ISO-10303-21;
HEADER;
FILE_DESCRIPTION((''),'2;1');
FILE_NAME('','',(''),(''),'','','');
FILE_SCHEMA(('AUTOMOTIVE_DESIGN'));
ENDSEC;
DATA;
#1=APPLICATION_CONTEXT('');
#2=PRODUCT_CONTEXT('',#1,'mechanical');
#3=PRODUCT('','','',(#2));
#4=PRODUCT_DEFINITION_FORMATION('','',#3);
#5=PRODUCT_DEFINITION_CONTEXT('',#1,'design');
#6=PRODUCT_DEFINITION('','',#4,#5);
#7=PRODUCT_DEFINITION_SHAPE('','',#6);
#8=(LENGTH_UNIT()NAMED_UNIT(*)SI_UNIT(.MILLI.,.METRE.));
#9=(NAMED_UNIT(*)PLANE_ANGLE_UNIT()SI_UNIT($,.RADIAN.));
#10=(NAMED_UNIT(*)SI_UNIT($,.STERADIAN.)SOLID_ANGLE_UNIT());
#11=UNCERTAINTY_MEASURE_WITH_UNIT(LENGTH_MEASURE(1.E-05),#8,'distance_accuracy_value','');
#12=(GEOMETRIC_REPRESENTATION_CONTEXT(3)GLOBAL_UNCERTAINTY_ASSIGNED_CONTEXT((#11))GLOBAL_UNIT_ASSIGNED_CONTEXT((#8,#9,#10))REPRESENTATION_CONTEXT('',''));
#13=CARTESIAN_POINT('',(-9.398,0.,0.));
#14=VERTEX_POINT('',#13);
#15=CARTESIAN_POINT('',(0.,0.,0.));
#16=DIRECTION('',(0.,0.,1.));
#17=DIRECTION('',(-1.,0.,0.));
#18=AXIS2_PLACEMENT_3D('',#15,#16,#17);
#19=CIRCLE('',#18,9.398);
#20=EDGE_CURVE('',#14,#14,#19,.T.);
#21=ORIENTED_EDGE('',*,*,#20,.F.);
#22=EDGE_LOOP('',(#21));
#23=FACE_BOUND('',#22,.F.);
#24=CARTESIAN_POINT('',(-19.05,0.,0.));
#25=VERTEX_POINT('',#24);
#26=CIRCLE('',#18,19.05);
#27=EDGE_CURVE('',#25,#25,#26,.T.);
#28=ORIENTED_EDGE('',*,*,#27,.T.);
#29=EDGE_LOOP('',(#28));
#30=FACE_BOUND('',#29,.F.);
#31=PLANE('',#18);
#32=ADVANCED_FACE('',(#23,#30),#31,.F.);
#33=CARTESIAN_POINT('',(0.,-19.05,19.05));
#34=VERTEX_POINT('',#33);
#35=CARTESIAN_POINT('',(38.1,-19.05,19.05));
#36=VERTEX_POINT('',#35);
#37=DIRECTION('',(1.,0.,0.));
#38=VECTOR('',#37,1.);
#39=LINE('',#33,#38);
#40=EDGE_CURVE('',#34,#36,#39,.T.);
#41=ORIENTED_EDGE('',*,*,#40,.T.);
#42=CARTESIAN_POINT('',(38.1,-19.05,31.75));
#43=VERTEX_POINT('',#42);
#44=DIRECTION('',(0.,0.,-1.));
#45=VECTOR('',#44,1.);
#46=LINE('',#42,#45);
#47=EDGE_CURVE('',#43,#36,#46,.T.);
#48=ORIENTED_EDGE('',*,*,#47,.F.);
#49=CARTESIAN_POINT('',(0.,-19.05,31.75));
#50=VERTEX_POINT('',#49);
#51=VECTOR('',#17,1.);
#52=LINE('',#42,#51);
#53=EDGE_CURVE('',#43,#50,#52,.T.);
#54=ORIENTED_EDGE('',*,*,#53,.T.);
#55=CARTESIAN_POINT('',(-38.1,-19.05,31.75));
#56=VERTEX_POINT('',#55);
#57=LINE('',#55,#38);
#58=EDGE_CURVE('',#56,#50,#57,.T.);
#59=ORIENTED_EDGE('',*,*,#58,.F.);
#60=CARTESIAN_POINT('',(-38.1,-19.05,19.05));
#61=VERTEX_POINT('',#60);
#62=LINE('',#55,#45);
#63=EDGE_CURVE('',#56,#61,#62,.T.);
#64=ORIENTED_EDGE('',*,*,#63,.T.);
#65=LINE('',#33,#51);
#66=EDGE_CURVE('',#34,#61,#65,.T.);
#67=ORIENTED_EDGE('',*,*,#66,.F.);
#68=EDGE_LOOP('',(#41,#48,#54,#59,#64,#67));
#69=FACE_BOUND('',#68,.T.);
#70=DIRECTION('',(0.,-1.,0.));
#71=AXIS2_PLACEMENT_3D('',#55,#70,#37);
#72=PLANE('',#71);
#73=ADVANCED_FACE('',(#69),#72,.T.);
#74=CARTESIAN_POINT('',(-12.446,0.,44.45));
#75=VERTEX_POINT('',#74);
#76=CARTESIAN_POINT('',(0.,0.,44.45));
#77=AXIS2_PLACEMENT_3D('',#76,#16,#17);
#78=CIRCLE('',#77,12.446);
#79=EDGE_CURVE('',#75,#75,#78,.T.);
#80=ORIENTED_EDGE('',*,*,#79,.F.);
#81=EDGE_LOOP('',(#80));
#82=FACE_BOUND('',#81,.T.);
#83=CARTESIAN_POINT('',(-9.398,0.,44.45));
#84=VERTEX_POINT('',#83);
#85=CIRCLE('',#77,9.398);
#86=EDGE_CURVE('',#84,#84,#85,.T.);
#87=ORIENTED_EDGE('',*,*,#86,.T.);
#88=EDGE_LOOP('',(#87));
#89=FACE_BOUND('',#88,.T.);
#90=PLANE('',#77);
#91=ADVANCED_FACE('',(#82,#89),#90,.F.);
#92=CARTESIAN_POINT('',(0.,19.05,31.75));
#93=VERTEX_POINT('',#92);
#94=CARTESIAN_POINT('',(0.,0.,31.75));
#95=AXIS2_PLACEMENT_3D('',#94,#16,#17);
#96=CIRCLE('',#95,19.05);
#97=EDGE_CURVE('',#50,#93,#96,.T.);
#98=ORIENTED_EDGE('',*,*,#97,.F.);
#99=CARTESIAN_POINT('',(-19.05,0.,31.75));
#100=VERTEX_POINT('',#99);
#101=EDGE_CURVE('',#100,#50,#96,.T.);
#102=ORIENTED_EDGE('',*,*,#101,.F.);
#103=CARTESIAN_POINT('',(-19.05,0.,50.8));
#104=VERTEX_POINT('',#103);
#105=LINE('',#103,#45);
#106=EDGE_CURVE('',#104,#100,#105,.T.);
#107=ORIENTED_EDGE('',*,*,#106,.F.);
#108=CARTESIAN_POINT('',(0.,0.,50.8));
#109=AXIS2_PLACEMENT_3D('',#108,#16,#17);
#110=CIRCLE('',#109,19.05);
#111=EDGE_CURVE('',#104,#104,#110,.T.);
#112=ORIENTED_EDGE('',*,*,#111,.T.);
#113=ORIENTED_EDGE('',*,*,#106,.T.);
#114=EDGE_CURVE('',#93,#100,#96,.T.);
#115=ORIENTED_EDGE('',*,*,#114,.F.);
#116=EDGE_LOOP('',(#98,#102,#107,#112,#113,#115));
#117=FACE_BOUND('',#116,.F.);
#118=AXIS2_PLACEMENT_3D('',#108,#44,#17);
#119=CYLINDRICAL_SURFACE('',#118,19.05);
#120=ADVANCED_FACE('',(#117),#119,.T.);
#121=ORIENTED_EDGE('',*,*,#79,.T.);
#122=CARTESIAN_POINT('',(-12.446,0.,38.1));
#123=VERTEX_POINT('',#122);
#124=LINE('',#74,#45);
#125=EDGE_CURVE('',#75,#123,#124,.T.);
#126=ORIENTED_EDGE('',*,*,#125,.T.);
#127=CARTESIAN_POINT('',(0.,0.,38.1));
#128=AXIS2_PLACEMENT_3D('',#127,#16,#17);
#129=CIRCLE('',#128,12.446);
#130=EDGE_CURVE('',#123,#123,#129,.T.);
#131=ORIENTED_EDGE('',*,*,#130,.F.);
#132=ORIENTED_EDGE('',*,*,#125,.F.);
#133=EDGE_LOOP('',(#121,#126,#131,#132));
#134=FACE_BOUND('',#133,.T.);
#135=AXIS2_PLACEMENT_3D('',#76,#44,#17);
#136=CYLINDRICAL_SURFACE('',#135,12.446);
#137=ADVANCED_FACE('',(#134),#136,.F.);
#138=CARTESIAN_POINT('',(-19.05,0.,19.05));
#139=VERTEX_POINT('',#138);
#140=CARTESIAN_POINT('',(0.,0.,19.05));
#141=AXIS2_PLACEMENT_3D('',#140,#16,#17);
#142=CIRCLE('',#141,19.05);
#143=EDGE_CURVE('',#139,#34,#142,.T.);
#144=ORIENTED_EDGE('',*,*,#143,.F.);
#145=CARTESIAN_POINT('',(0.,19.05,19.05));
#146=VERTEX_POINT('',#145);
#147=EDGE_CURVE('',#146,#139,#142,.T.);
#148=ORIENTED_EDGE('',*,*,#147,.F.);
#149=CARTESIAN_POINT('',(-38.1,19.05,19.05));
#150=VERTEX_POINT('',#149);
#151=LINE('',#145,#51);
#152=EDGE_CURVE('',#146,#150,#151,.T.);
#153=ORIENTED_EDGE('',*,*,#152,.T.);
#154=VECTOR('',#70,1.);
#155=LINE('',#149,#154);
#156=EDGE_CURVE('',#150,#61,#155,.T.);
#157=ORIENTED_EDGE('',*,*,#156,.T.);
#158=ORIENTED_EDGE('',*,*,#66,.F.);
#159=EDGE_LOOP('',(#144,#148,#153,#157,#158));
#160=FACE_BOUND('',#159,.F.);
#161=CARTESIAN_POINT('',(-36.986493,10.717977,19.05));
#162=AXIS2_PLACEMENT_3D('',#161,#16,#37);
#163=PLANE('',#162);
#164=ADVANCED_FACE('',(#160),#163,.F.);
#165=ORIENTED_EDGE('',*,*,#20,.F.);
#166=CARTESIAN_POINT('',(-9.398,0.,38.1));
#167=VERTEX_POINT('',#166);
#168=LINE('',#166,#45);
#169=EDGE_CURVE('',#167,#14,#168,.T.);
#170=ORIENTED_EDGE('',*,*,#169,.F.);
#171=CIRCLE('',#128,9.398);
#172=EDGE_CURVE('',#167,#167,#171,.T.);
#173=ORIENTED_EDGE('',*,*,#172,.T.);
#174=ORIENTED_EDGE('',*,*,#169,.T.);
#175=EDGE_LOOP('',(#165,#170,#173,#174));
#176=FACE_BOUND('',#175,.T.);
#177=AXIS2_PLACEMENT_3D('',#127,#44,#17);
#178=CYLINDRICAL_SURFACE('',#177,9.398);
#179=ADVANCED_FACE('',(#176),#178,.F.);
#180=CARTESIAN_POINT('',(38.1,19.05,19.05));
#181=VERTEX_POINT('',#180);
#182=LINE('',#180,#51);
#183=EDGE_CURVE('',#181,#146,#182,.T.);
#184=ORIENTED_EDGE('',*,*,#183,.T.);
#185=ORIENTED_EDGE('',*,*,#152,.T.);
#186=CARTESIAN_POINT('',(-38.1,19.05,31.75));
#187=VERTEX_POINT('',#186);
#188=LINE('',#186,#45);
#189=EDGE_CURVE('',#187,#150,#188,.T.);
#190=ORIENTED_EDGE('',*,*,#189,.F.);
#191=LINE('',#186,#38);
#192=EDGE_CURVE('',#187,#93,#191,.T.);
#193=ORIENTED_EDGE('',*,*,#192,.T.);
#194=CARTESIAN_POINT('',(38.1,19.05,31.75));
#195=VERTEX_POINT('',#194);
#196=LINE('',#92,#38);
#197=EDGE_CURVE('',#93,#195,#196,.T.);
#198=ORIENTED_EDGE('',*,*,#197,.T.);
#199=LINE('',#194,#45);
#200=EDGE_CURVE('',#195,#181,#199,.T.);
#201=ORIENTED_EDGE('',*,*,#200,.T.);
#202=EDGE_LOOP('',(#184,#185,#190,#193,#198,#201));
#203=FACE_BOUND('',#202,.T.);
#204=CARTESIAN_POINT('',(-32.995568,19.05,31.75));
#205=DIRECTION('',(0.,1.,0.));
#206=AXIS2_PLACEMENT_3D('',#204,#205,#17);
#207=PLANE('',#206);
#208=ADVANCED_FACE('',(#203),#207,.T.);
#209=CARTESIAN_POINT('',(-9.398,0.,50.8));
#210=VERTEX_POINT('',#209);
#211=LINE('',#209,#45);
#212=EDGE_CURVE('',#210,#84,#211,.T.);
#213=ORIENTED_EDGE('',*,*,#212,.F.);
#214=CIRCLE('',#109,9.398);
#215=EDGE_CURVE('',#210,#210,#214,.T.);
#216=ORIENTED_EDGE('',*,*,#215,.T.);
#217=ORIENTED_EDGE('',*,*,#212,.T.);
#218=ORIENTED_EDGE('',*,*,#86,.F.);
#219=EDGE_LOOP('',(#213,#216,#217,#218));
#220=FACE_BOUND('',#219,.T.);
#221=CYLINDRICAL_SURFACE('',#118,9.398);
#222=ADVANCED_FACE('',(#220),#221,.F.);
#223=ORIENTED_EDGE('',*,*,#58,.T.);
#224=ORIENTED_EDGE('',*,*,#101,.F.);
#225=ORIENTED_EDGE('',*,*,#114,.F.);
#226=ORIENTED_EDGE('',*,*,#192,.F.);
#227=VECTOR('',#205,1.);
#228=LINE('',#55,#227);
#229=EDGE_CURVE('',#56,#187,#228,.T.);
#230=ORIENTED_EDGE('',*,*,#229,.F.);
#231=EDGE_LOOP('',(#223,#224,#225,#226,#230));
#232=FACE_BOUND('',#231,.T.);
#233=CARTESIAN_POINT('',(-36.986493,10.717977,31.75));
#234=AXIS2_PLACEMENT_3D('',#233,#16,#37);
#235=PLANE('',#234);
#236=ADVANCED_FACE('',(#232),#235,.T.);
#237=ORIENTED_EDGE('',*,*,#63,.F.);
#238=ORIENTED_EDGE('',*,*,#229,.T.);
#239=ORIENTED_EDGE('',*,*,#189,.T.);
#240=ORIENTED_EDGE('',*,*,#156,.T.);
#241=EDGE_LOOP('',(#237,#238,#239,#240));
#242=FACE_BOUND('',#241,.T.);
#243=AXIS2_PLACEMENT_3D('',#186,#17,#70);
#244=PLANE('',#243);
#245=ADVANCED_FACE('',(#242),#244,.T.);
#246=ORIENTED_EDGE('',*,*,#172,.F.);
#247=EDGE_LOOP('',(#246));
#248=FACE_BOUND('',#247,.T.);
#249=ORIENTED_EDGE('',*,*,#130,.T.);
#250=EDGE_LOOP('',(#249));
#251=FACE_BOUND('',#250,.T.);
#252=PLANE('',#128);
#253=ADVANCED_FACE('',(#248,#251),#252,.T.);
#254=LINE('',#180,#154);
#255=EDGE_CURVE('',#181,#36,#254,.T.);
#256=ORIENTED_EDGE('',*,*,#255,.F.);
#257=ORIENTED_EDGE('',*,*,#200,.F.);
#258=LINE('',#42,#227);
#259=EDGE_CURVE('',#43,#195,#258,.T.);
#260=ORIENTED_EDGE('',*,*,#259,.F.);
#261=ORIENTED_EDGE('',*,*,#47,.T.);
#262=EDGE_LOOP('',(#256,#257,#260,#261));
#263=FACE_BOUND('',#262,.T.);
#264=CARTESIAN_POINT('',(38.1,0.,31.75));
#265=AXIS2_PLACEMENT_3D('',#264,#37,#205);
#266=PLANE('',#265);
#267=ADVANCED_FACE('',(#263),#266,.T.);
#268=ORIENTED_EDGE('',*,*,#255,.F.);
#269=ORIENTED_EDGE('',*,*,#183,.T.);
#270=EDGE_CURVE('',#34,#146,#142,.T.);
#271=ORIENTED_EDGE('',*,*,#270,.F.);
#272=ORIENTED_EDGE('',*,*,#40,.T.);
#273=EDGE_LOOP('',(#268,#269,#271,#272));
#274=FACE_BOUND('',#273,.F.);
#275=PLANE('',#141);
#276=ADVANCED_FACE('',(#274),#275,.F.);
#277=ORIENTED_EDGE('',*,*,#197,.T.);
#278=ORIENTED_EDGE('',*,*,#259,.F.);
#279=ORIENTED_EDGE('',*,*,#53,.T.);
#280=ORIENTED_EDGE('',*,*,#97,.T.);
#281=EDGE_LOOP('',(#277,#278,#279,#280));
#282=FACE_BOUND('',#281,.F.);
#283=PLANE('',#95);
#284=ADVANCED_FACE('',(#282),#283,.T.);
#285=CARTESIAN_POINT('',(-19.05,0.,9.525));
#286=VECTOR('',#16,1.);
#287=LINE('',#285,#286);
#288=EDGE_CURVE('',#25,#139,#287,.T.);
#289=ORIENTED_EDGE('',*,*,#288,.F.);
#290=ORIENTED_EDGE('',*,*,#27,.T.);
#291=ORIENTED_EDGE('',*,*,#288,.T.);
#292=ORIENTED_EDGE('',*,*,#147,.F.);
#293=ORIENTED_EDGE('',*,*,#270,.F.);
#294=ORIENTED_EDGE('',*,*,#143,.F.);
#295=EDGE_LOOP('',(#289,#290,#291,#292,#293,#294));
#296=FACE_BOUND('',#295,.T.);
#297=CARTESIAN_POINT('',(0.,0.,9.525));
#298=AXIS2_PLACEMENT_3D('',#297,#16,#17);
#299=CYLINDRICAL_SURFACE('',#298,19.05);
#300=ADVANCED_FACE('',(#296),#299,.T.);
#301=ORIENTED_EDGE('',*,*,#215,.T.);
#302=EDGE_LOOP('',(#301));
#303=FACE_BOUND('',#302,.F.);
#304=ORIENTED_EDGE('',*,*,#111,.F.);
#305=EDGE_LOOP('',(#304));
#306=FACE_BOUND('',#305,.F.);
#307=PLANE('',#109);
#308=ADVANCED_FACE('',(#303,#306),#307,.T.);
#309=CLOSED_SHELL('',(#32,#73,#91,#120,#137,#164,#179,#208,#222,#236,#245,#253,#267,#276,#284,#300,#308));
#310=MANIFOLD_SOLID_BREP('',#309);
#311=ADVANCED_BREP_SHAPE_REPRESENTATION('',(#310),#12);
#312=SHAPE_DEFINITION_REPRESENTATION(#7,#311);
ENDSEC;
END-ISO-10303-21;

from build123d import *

# Parameters (mm, degrees)
F0_W     = 9.398
F0_H     = 19.05
F0_H_2   = 12.7
F0_W_2   = 9.652
F3_DEPTH = 25.4
F5_DEPTH = 12.7


with BuildPart() as f1:
    # F0 (on Front) → F1 (revolve)
    with BuildSketch(Plane.XZ):
        with Locations((-4.699, 9.525)):
            Rectangle(F0_W, F0_H)
        with Locations((-4.699, 25.4)):
            Rectangle(F0_W, F0_H_2)
        with Locations((-14.224, 9.525)):
            Rectangle(F0_W_2, F0_H)
        Polygon((-9.398, 31.75), (0, 31.75), (0, 50.8), (-9.398, 50.8), (-9.398, 44.45), (-12.446, 44.45), (-12.446, 38.1), (-9.398, 38.1), align=None)
        Polygon((-19.05, 19.05), (-9.398, 19.05), (-9.398, 31.75), (-19.05, 31.75), (-38.1, 31.75), (-38.1, 19.05), align=None)
        Polygon((-19.05, 31.75), (-9.398, 31.75), (-9.398, 38.1), (-12.446, 38.1), (-12.446, 44.45), (-9.398, 44.45), (-9.398, 50.8), (-19.05, 50.8), align=None)
    revolve(axis=Axis((0, 0, 25.4), (0, 0, 1)))

    # F2 (on face) → F3 (cut)
    with BuildSketch(Plane.XY.offset(31.75)):
        with BuildLine():
            Line((3.68e-08, 19.05), (32.9955678842, 19.05))
            ThreePointArc((32.9955678842, 19.05), (0, 38.1), (-32.9955678842, 19.05))
            Line((-32.9955678842, 19.05), (3.68e-08, 19.05))
        make_face()
        with BuildLine():
            ThreePointArc((-32.9955678842, -19.05), (0, -38.1), (32.9955678842, -19.05))
            Line((32.9955678842, -19.05), (3.68e-08, -19.05))
            Line((3.68e-08, -19.05), (-32.9955678842, -19.05))
        make_face()
    extrude(amount=-F3_DEPTH, mode=Mode.SUBTRACT)

    # F4 (on face) → F5 (join, through all)
    with BuildSketch(Plane.XY.offset(31.75)):
        with BuildLine():
            Line((-38.1, 19.05), (-38.1, 0))
            ThreePointArc((-38.1, 0), (-36.8017739816, 9.8610056184), (-32.9955678842, 19.05))
            Line((-32.9955678842, 19.05), (-38.1, 19.05))
        make_face()
        with BuildLine():
            ThreePointArc((-32.9955678842, -19.05), (-36.8017739816, -9.8610056184), (-38.1, 0))
            Line((-38.1, 0), (-38.1, -19.05))
            Line((-38.1, -19.05), (-32.9955678842, -19.05))
        make_face()
        with BuildLine():
            ThreePointArc((32.9955678842, 19.05), (36.8017739816, 9.8610056184), (38.1, 0))
            Line((38.1, 0), (38.1, 19.05))
            Line((38.1, 19.05), (32.9955678842, 19.05))
        make_face()
        with BuildLine():
            Line((38.1, -19.05), (38.1, 0))
            ThreePointArc((38.1, 0), (36.8017739816, -9.8610056184), (32.9955678842, -19.05))
            Line((32.9955678842, -19.05), (38.1, -19.05))
        make_face()
    extrude(amount=-F5_DEPTH)

    # F6 (on Front) → F7 (revolve, cut)
    with BuildSketch(Plane.XZ):
        Polygon((0, 50.8), (-9.398, 50.8), (-9.398, 44.45), (-12.446, 44.45), (-12.446, 38.1), (-9.398, 38.1), (-9.398, 0), (0, 0), align=None)
    revolve(axis=Axis((0, 0, 25.4), (0, 0, 1)), mode=Mode.SUBTRACT)


solid = f1.part
